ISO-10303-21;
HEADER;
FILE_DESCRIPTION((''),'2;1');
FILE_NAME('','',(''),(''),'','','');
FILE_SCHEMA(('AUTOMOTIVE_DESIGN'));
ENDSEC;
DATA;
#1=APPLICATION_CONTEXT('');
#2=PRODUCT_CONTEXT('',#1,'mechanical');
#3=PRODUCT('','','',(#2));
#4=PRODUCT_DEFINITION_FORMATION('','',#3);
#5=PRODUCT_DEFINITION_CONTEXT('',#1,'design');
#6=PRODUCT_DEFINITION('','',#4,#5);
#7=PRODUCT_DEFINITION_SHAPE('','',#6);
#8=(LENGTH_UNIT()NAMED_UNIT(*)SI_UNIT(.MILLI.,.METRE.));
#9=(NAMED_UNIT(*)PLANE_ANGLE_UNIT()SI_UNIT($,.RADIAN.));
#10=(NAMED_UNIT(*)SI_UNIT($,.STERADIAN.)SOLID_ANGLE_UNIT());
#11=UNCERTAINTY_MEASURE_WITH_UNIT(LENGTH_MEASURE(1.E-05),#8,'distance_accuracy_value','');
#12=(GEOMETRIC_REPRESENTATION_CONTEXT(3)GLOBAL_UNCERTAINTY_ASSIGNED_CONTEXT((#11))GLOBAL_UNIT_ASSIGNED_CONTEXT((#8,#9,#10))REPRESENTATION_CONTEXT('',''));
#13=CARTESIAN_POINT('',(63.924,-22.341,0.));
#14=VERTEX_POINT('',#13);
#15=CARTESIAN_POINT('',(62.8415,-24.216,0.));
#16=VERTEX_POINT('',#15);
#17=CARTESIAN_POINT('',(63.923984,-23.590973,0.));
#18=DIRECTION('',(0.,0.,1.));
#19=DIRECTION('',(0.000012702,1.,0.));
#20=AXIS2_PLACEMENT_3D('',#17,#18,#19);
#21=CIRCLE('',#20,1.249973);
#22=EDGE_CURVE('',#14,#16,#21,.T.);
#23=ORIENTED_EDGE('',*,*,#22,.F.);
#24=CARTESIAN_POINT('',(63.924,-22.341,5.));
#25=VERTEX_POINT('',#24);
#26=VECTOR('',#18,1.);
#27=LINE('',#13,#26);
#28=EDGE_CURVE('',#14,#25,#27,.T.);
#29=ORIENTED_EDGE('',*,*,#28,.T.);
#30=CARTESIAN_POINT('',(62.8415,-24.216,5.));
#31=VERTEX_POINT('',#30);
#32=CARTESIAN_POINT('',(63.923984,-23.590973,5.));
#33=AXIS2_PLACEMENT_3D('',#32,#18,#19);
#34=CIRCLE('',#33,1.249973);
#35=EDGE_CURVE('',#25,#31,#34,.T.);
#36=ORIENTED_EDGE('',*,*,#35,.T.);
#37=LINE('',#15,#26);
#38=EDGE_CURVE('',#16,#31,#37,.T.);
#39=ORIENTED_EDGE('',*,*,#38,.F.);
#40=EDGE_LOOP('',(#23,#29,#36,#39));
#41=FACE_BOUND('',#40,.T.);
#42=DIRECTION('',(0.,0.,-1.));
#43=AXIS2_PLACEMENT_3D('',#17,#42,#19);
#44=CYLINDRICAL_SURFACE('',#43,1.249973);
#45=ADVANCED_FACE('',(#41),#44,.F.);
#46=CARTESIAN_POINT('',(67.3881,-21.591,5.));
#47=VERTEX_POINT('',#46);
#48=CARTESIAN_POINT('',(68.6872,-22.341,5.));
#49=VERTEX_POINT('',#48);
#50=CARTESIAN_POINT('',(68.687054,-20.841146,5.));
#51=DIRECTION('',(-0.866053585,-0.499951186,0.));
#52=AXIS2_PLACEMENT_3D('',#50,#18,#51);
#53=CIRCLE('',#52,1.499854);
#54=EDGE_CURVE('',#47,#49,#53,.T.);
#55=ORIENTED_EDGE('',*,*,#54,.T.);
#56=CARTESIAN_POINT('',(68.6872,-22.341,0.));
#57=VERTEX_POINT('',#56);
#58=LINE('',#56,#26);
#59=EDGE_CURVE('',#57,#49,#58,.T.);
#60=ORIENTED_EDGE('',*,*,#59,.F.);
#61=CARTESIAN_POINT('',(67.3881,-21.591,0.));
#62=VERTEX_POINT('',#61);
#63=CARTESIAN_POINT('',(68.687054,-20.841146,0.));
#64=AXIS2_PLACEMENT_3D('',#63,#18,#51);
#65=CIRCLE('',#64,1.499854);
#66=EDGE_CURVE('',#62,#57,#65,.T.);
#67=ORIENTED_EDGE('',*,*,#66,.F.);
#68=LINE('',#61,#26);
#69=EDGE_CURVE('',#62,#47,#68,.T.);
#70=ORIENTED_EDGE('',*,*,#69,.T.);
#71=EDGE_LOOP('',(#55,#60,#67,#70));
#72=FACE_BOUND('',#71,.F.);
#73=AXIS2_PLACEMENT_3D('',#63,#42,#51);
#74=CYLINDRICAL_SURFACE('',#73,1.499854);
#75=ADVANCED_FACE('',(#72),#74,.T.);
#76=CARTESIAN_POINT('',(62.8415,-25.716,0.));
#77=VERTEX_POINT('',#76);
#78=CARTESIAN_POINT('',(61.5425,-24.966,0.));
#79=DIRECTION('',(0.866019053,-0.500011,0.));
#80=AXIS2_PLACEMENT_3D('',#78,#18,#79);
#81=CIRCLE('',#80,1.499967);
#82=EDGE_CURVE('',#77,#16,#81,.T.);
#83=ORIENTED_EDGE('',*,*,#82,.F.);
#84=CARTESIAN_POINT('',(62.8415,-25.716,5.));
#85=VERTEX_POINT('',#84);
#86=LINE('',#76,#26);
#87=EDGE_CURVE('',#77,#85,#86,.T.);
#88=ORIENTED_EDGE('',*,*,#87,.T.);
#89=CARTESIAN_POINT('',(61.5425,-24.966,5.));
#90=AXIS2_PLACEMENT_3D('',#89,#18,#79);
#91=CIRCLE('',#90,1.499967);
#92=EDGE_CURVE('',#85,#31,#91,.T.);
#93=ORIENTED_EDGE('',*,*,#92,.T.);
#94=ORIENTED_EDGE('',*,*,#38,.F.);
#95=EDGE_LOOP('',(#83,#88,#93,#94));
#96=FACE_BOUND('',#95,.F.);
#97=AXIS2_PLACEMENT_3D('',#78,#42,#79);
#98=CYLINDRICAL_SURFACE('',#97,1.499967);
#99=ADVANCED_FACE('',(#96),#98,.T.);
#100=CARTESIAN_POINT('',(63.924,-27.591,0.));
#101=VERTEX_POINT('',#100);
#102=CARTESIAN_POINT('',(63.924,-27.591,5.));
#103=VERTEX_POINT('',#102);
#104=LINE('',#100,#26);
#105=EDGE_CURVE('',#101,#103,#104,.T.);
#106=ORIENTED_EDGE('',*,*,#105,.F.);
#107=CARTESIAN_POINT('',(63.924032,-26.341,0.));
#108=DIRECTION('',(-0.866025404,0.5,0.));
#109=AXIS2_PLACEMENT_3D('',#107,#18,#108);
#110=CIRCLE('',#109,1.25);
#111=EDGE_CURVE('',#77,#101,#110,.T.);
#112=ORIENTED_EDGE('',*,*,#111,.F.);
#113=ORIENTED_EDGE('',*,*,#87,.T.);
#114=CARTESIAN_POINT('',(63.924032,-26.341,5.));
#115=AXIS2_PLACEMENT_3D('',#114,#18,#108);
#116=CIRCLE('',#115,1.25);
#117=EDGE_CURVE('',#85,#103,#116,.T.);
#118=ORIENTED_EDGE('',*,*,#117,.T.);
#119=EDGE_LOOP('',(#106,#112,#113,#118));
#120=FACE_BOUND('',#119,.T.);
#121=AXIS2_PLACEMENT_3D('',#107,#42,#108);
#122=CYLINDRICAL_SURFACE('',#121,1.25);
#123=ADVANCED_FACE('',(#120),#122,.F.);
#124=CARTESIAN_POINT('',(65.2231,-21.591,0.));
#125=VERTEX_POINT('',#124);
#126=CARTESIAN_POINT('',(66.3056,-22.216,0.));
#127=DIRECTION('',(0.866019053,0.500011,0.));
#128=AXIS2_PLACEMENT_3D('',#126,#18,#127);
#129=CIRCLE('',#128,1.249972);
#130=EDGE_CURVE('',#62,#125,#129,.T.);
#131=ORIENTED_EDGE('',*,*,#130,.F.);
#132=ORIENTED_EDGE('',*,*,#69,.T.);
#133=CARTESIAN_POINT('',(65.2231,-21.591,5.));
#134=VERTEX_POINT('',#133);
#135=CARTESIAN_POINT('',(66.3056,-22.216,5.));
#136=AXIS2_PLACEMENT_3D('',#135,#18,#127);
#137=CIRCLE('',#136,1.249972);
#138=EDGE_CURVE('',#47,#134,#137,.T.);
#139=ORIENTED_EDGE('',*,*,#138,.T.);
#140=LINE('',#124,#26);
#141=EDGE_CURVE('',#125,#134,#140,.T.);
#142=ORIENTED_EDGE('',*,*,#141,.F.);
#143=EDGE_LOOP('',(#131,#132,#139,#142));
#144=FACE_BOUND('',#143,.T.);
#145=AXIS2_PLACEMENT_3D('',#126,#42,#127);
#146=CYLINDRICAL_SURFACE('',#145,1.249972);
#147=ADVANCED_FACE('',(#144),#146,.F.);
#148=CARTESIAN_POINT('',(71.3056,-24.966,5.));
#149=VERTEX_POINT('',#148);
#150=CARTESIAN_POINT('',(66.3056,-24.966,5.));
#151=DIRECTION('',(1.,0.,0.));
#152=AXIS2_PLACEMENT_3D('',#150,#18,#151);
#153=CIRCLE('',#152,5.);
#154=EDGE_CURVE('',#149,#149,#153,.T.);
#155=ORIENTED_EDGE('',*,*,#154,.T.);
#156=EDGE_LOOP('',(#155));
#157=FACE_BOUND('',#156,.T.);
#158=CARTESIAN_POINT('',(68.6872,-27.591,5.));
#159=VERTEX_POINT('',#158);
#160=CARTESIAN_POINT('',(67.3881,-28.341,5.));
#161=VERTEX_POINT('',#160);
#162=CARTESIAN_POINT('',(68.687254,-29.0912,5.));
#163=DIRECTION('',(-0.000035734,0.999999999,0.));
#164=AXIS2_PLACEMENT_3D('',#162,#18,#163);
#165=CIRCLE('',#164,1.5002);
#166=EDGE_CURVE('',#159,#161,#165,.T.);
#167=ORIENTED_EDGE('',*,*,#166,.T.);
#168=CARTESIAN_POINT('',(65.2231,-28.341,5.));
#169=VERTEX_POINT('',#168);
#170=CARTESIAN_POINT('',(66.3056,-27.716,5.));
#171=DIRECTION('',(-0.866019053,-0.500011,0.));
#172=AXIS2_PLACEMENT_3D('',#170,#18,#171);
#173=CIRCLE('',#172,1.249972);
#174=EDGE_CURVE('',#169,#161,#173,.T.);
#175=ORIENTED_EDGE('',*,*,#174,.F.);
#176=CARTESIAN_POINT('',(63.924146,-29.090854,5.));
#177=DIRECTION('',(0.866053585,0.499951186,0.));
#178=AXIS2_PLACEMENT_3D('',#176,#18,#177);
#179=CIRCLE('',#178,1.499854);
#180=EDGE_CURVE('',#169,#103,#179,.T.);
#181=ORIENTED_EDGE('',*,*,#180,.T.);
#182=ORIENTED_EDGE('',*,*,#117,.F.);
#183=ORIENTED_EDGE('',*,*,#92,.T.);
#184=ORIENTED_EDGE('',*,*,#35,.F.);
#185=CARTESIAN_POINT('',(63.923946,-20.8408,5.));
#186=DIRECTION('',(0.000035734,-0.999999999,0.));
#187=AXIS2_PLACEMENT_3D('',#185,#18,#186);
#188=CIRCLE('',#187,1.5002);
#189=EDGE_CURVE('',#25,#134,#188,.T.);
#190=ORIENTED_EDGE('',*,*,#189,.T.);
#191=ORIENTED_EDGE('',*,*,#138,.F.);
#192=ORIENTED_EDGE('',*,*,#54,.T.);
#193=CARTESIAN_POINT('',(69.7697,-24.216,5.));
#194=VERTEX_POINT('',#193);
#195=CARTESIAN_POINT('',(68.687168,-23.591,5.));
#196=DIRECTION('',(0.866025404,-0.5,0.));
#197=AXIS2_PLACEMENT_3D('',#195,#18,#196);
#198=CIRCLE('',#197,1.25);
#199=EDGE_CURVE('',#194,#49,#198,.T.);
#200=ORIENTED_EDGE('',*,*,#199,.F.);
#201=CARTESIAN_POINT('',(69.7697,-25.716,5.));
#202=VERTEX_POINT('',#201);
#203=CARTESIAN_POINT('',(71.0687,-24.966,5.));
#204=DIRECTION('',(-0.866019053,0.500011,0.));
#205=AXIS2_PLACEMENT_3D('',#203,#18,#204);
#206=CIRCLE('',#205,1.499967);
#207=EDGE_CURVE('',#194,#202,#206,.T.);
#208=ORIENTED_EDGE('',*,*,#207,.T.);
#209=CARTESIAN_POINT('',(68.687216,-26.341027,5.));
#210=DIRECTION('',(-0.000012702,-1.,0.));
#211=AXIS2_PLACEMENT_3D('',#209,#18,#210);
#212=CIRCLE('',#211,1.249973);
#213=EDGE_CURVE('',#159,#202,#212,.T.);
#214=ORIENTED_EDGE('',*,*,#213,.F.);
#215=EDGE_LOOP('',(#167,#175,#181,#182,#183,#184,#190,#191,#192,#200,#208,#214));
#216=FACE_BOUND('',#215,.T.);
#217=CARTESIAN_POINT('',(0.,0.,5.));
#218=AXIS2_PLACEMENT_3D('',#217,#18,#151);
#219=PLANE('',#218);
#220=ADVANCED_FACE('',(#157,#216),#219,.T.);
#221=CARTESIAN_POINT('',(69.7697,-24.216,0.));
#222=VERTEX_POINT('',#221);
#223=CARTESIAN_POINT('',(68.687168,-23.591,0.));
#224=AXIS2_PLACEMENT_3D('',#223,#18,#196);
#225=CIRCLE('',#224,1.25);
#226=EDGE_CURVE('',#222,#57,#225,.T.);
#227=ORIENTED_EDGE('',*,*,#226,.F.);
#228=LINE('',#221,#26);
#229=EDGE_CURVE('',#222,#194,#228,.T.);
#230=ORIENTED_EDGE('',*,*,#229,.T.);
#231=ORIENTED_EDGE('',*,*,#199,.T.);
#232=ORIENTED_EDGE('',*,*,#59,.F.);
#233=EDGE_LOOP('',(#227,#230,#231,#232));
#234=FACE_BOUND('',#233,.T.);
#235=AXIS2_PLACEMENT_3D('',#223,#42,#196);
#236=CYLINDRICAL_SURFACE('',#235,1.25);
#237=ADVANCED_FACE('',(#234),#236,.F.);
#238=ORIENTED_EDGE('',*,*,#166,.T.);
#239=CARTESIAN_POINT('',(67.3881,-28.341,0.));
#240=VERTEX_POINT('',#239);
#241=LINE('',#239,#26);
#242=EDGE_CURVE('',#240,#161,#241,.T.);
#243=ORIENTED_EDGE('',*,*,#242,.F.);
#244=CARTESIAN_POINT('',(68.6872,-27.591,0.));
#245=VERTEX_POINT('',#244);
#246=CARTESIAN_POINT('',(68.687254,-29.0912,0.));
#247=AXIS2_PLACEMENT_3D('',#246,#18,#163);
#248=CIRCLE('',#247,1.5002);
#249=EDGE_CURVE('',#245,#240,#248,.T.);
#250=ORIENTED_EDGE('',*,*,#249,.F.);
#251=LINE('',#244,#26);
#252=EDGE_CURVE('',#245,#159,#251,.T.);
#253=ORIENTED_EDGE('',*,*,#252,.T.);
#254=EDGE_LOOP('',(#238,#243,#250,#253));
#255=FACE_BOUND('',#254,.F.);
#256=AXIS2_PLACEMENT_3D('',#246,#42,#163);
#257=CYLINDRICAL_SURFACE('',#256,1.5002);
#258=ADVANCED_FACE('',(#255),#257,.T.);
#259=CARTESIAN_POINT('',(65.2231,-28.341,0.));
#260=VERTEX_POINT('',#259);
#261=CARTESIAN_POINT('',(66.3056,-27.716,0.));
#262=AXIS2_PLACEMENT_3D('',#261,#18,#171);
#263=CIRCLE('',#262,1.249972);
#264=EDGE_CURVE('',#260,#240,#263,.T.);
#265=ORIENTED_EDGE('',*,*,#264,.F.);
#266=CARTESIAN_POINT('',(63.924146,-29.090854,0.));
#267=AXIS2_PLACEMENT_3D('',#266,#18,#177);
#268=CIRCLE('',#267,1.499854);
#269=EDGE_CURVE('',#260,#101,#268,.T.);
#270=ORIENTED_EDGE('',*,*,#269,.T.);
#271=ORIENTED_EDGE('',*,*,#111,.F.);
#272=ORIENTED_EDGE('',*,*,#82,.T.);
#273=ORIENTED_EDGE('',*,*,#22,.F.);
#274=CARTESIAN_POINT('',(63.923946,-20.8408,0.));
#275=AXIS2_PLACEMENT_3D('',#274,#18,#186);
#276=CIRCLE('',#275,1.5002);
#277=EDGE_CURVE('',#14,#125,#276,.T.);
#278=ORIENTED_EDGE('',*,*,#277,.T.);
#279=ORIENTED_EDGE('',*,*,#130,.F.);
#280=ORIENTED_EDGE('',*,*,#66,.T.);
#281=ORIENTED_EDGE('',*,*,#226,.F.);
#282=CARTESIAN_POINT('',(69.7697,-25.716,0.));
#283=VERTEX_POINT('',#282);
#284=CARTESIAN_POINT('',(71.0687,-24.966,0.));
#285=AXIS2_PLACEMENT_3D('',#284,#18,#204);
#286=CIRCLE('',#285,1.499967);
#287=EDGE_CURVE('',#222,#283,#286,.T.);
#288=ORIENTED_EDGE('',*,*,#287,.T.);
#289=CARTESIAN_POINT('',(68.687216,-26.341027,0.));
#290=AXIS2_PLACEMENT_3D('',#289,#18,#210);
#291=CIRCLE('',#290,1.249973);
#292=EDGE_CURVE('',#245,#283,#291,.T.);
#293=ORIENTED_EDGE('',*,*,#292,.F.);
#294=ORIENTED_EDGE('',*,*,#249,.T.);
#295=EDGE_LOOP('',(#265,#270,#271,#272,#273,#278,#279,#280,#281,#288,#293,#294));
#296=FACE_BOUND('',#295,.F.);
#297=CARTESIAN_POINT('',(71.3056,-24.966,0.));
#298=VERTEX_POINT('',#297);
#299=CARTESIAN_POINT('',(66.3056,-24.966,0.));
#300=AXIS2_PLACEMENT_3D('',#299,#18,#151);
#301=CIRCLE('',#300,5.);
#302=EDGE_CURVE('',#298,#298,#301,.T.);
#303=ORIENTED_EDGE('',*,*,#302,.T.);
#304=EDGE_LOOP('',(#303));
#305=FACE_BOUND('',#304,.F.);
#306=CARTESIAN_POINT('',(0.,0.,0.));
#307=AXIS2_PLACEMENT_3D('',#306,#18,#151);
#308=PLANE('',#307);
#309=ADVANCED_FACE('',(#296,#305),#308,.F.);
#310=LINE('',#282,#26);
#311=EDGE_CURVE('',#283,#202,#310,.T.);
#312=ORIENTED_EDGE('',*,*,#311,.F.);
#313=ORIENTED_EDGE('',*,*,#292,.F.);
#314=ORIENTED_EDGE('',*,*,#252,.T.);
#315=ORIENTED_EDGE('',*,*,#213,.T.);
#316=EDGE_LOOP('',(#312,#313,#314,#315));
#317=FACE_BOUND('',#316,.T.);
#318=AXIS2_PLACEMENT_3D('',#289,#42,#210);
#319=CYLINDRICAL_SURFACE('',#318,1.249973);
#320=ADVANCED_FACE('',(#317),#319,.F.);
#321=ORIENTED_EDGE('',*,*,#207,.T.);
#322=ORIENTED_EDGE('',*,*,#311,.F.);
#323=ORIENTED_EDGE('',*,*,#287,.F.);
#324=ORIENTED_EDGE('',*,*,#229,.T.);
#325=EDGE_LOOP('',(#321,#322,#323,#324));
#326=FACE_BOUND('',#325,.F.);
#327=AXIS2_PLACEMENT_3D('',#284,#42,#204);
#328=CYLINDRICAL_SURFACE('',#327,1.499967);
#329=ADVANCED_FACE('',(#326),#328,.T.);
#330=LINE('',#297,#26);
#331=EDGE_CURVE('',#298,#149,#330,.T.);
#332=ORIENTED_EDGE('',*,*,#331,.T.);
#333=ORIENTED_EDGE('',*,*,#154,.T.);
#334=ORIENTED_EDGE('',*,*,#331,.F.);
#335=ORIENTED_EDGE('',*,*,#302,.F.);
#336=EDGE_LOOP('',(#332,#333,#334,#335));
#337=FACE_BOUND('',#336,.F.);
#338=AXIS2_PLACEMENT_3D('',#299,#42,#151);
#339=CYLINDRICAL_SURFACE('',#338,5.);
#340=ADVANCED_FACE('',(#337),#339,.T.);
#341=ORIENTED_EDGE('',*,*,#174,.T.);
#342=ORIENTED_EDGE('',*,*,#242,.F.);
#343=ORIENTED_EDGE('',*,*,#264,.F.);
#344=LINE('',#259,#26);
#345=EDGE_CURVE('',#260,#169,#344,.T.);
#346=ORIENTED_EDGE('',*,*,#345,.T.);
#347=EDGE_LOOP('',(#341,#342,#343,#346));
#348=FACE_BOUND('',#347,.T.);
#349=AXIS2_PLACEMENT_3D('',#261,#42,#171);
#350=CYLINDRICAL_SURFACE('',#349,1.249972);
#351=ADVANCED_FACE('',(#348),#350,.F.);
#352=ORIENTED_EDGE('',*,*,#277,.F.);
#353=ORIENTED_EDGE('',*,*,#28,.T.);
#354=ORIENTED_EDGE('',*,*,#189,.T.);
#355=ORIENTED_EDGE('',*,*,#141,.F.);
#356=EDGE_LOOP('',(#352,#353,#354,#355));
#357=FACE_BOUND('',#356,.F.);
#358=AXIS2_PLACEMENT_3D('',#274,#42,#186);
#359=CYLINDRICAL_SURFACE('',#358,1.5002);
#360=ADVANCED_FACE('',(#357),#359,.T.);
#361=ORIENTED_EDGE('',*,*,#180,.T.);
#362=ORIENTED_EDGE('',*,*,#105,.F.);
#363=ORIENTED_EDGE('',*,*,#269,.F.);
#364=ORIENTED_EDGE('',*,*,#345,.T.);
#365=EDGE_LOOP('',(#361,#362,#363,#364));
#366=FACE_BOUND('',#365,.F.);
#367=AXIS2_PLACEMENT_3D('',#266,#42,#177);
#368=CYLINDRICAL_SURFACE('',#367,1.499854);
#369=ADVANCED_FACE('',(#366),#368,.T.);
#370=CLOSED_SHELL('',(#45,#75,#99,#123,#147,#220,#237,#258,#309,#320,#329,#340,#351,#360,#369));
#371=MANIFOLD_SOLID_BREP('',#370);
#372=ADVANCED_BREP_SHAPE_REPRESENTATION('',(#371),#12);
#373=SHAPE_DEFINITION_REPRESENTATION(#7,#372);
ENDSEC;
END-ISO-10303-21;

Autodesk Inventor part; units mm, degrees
ref_plane "YZ Plane" through (0, 0, 0) normal (1, 0, 0) x (0, 1, 0)
ref_plane "XZ Plane" through (0, 0, 0) normal (0, 1, 0) x (-1, 0, 0)
ref_plane "XY Plane" through (0, 0, 0) normal (0, 0, 1) x (1, 0, 0)
sketch "スケッチ1" plane through (0, 0, 0) normal (0, 0, 1) x (1, 0, 0)
  arc A0 (69.7697, -24.216) -> (68.6872, -22.341) centre (68.6872, -23.591) ccw
  arc A1 (69.7697, -24.216) -> (69.7697, -25.716) centre (71.0687, -24.966) ccw
  arc A2 (68.6872, -27.591) -> (69.7697, -25.716) centre (68.6872, -26.341) ccw
  arc A3 (65.2231, -28.341) -> (67.3881, -28.341) centre (66.3056, -27.716) ccw
  arc A4 (68.6872, -27.591) -> (67.3881, -28.341) centre (68.6872, -29.091) ccw
  arc A5 (65.2231, -28.341) -> (63.924, -27.591) centre (63.924, -29.091) ccw
  arc A6 (63.924, -22.341) -> (62.8415, -24.216) centre (63.924, -23.591) ccw
  arc A7 (63.924, -22.341) -> (65.2231, -21.591) centre (63.924, -20.841) ccw
  line L0 (62.8415, -22.966) -> (66.3056, -20.966) construction
  circle A8 centre (66.3056, -24.966) radius 5
  arc A9 (67.3881, -21.591) -> (65.2231, -21.591) centre (66.3056, -22.216) ccw
  arc A10 (62.8415, -25.716) -> (62.8415, -24.216) centre (61.5425, -24.966) ccw
  arc A11 (67.3881, -21.591) -> (68.6872, -22.341) centre (68.6872, -20.841) ccw
  line L1 (62.8415, -26.966) -> (62.8415, -22.966) construction
  arc A12 (62.8415, -25.716) -> (63.924, -27.591) centre (63.924, -26.341) ccw
  line L2 (66.3056, -20.966) -> (69.7697, -22.966) construction
  line L3 (66.3056, -28.966) -> (62.8415, -26.966) construction
  circle A13 centre (66.3056, -24.966) radius 4 construction
  circle A14 centre (66.3056, -24.966) radius 3.2631 construction
  line L4 (69.7697, -26.966) -> (66.3056, -28.966) construction
  line L5 (69.7697, -22.966) -> (69.7697, -26.966) construction
  line L6 (68.6872, -22.341) -> (66.3056, -24.966) construction
  point P0 (0, 0)
  point P1 (69.7697, -26.966)
  point P2 (66.3056, -28.966)
  point P3 (65.2231, -28.341)
  point P4 (63.924, -27.591)
  point P5 (62.8415, -25.716)
  point P6 (63.924, -22.341)
  point P7 (69.7697, -24.216)
  point P8 (69.7697, -25.716)
  point P9 (68.6872, -27.591)
  dimension "d5" = 8
  dimension "d4" = 10
  dimension "d6" = 360
  dimension "d7" = 360
  dimension "d8" = 6.5263
  dimension "d9" = 1.5
  dimension "d10" = 1.25
  dimension "d13" = 3.5444
extrude "押し出し1" add sketch "スケッチ1" along normal blind 5
properties part number "2ギア接続部外" material "ポリカーボネート、スモーク"
